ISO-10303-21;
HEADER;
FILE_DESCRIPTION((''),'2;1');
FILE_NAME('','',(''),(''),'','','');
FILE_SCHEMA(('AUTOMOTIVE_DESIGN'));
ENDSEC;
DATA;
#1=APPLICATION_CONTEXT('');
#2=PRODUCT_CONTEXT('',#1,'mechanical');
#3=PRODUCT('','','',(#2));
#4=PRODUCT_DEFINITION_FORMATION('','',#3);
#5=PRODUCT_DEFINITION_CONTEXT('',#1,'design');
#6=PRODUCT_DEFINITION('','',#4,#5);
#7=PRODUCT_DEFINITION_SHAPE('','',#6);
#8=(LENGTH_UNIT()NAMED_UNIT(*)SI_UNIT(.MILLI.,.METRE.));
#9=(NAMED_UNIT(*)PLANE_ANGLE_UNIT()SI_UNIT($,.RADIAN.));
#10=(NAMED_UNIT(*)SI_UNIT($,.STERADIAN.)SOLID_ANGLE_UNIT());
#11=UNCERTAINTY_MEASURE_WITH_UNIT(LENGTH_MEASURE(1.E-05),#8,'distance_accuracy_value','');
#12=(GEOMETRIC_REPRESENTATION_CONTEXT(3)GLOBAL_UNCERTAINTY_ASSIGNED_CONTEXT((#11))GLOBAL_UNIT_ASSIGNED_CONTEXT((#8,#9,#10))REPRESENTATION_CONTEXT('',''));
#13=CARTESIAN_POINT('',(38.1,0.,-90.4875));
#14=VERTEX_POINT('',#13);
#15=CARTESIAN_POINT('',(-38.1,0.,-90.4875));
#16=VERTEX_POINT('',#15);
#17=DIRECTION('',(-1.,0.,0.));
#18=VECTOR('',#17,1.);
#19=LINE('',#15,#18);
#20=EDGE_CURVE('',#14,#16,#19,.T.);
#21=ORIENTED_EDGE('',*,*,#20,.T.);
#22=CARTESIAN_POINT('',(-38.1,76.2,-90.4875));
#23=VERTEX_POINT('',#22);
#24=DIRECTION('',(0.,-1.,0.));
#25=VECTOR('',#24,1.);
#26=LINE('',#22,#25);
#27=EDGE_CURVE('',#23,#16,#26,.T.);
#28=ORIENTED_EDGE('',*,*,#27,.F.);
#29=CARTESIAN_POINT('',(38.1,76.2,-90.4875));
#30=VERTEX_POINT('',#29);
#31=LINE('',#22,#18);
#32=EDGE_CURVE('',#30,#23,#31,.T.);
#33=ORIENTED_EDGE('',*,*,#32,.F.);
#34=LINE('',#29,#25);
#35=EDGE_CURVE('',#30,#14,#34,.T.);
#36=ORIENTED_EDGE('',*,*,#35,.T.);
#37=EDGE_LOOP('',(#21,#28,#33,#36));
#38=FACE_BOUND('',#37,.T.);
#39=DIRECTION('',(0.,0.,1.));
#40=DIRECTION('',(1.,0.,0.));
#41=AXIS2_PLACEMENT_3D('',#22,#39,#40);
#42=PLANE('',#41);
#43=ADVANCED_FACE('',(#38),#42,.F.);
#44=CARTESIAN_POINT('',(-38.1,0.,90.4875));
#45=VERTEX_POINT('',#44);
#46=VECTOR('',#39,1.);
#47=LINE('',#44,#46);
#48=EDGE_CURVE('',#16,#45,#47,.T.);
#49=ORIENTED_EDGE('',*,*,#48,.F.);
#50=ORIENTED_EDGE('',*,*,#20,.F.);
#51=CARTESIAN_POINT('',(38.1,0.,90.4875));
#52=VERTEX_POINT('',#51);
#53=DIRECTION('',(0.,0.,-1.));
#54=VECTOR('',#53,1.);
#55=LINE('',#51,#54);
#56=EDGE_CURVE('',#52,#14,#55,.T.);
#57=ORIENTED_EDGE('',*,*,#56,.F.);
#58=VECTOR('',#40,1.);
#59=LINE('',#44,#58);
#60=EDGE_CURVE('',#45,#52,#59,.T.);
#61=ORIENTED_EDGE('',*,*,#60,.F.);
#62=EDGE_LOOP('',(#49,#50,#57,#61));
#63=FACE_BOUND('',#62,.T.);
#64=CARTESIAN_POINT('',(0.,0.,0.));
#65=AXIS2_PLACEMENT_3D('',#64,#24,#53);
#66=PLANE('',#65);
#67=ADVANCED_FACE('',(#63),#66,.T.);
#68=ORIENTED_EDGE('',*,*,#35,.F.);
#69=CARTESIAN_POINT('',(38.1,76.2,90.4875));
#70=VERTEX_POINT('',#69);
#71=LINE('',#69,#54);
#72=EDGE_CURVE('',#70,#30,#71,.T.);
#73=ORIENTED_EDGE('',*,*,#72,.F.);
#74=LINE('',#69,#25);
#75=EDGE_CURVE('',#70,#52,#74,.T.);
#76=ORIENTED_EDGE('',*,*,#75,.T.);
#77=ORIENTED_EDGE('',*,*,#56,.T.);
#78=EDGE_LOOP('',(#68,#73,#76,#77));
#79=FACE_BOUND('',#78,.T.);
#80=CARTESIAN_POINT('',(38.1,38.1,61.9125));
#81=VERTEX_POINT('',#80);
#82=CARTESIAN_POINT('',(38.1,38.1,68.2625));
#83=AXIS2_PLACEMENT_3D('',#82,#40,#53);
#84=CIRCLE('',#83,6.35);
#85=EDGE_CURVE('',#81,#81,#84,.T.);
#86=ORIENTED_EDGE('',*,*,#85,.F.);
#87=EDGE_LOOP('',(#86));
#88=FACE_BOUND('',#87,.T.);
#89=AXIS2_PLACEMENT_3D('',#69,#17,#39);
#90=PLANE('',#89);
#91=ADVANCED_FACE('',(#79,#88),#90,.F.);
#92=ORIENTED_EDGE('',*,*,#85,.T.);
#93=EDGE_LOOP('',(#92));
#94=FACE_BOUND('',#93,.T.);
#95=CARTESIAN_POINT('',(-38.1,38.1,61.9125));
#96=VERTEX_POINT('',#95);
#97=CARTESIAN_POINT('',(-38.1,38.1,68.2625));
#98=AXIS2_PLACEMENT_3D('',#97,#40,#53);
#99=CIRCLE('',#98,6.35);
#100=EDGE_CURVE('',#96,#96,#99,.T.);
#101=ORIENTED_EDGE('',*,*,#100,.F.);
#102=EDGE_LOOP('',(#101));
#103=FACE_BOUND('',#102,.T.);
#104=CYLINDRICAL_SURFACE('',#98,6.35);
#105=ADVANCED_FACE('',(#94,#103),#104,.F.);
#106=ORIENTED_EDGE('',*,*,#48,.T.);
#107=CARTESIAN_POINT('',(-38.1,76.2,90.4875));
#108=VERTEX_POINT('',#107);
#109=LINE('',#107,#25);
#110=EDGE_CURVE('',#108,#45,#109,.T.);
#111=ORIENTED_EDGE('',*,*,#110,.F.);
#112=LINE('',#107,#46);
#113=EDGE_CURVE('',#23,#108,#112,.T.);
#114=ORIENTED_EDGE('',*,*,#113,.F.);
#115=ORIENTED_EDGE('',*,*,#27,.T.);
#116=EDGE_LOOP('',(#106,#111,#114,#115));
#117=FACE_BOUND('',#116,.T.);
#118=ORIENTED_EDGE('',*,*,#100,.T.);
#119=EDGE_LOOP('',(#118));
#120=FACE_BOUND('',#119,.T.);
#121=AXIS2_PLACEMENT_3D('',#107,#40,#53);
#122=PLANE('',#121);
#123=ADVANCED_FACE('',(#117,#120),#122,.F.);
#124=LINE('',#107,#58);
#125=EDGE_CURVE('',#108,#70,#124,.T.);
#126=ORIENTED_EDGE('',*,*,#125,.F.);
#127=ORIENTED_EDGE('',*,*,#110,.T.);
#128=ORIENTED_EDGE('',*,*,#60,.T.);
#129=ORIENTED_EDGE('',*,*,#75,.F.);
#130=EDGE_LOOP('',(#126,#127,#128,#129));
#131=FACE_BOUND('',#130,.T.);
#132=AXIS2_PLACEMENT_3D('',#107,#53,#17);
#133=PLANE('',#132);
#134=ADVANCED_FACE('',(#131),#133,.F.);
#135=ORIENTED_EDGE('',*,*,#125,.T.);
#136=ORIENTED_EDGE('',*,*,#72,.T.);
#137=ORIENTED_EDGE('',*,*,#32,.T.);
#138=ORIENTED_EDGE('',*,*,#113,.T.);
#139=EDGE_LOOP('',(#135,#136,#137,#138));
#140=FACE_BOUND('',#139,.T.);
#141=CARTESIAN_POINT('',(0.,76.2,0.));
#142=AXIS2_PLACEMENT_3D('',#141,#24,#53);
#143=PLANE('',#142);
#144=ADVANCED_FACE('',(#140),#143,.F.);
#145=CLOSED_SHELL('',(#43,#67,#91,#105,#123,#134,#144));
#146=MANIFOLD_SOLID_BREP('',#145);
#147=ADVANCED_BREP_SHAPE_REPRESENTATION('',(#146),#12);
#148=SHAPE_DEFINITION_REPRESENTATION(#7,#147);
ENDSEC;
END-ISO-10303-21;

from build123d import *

# Parameters (mm, degrees)
SKETCH1_W           = 76.2
SKETCH1_H           = 180.975
BOSS_EXTRUDE1_DEPTH = 76.2
SKETCH2_R           = 6.35
CUT_EXTRUDE1_DEPTH  = 76.2


with BuildPart() as part:
    # Sketch1 → Boss-Extrude1 (new body)
    with BuildSketch(Plane(origin=(0, 0, 0), x_dir=(1, 0, 0), z_dir=(0, 1, 0))):
        Rectangle(SKETCH1_W, SKETCH1_H)
    extrude(amount=BOSS_EXTRUDE1_DEPTH)

    # Sketch2 → Cut-Extrude1 (cut)
    with BuildSketch(Plane(origin=(38.1, 0, 0), x_dir=(0, 0, -1), z_dir=(1, 0, 0))):
        with Locations((-68.2625, 38.1)):
            Circle(SKETCH2_R)
    extrude(amount=-CUT_EXTRUDE1_DEPTH, mode=Mode.SUBTRACT)


solid = part.part
